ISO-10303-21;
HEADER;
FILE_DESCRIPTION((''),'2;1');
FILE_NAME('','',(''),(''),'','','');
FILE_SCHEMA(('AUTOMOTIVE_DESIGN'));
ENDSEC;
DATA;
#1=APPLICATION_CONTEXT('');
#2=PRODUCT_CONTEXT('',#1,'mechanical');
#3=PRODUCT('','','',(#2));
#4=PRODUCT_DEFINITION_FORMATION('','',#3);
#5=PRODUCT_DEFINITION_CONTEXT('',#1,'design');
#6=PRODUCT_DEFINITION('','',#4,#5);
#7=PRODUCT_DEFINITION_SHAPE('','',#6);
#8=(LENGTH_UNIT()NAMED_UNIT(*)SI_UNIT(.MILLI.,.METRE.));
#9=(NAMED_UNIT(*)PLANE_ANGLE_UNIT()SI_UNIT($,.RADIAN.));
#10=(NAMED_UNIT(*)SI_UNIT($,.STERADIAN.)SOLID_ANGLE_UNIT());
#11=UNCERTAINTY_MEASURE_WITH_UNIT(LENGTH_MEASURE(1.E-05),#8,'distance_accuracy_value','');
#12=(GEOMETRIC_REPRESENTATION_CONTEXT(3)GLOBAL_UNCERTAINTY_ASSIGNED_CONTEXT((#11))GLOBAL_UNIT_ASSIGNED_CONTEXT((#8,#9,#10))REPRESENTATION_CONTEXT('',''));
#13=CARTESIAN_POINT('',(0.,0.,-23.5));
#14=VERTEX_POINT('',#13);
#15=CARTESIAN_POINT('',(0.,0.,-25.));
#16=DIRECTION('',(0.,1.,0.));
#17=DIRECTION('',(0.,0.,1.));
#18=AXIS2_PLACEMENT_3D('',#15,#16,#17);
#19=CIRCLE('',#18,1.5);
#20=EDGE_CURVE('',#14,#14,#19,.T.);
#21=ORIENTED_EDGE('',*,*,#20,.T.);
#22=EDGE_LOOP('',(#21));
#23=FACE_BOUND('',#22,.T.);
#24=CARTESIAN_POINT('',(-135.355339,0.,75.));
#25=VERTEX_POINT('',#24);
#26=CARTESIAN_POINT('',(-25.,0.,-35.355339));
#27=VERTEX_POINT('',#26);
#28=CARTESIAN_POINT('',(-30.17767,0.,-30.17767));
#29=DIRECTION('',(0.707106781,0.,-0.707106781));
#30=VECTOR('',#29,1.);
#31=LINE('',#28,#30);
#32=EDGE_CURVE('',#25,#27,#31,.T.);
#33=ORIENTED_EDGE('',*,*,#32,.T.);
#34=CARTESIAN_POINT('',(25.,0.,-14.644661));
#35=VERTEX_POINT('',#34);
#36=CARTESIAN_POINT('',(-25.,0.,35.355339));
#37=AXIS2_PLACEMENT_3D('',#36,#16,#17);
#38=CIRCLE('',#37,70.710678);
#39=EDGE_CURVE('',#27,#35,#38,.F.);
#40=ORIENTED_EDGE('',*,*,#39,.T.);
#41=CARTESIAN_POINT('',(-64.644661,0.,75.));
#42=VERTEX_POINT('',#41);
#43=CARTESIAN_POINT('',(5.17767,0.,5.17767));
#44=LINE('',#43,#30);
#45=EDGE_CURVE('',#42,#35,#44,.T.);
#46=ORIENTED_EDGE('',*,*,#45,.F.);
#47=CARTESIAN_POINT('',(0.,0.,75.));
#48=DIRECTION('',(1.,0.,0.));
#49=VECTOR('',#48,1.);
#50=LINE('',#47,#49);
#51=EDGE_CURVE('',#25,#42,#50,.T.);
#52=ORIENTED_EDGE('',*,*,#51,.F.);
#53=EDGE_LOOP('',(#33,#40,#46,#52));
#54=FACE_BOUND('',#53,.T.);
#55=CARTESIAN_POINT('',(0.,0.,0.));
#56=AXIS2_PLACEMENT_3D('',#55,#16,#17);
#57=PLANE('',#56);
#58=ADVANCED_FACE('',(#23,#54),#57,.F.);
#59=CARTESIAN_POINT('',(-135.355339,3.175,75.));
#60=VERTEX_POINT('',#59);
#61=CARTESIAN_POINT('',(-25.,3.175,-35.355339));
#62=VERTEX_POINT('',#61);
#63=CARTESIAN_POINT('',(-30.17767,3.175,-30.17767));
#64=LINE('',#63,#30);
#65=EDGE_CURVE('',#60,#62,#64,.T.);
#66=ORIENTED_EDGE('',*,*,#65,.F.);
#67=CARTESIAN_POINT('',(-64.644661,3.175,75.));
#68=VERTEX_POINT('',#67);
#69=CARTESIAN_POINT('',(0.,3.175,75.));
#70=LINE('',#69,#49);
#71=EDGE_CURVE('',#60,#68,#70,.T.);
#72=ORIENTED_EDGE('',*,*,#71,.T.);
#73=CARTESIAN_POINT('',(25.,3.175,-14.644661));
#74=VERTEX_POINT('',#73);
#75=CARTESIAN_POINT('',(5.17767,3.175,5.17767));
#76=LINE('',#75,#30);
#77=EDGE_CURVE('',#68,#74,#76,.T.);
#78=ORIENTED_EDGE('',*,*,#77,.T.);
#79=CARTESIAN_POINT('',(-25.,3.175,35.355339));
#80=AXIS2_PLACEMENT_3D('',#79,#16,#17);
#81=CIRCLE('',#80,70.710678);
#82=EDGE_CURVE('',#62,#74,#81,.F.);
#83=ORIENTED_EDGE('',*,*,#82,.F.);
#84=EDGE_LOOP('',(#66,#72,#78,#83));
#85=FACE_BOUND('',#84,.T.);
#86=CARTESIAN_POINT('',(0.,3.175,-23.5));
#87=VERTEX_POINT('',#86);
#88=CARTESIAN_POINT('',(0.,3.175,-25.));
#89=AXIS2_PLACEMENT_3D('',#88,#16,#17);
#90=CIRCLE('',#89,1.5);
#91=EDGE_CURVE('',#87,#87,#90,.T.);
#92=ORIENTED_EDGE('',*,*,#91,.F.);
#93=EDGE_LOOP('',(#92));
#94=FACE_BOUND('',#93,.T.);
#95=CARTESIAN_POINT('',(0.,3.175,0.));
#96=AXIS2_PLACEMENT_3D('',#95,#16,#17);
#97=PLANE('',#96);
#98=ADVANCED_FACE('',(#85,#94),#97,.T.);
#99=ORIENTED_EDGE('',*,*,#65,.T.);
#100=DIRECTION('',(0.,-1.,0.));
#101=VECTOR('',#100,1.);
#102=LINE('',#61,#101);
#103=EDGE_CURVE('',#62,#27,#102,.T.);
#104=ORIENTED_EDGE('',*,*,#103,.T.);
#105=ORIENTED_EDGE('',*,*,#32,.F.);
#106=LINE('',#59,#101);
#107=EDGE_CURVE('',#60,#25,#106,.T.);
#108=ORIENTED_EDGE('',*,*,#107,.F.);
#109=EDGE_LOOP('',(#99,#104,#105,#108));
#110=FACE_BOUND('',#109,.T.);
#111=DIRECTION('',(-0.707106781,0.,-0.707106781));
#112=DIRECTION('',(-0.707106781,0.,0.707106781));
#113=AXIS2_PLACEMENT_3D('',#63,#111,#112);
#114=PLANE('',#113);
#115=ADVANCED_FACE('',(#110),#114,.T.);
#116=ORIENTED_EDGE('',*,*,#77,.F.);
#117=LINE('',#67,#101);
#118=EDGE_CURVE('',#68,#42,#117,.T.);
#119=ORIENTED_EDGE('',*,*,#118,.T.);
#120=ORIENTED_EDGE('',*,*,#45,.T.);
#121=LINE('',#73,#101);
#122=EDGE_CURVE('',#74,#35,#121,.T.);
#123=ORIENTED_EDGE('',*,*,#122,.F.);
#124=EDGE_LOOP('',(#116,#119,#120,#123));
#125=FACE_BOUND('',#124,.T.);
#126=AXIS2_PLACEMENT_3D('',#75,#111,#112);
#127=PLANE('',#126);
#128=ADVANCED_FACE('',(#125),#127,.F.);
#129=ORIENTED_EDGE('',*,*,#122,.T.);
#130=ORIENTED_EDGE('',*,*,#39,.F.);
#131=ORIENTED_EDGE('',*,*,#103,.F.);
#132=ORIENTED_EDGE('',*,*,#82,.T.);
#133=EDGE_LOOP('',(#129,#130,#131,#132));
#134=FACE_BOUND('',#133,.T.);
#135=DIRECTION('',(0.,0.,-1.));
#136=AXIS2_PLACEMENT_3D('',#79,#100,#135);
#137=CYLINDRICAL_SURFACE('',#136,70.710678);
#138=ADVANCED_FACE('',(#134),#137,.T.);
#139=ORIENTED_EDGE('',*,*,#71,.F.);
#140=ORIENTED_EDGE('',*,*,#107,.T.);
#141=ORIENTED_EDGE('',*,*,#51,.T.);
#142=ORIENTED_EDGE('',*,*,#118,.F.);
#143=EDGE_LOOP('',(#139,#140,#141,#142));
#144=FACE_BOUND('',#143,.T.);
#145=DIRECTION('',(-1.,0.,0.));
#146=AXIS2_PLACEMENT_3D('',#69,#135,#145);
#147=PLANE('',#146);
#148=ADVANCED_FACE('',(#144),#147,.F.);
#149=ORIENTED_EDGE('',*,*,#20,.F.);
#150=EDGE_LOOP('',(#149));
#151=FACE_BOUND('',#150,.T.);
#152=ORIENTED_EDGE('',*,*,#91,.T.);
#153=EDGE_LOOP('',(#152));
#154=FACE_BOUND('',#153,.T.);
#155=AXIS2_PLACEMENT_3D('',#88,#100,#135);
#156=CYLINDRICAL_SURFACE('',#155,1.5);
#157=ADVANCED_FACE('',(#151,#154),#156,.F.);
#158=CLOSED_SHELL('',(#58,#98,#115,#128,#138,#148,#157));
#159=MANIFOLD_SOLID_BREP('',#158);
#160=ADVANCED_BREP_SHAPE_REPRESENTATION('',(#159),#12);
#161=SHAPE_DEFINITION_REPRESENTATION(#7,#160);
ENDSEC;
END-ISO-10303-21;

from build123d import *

# Parameters (mm, degrees)
SKETCH1_R           = 1.5
BOSS_EXTRUDE1_DEPTH = 3.175


with BuildPart() as part:
    # Sketch1 → Boss-Extrude1 (new body)
    with BuildSketch(Plane(origin=(0, 0, 0), x_dir=(1, 0, 0), z_dir=(0, 1, 0))):
        with BuildLine():
            ThreePointArc((-25, 35.355339059), (2.059805007, 29.972809184), (25, 14.644660941))
            Line((25, 14.644660941), (-64.644660941, -75))
            Line((-64.644660941, -75), (-135.355339059, -75))
            Line((-135.355339059, -75), (-25, 35.355339059))
        make_face()
        with Locations((0, 25)):
            Circle(SKETCH1_R, mode=Mode.SUBTRACT)
    extrude(amount=BOSS_EXTRUDE1_DEPTH)


solid = part.part
